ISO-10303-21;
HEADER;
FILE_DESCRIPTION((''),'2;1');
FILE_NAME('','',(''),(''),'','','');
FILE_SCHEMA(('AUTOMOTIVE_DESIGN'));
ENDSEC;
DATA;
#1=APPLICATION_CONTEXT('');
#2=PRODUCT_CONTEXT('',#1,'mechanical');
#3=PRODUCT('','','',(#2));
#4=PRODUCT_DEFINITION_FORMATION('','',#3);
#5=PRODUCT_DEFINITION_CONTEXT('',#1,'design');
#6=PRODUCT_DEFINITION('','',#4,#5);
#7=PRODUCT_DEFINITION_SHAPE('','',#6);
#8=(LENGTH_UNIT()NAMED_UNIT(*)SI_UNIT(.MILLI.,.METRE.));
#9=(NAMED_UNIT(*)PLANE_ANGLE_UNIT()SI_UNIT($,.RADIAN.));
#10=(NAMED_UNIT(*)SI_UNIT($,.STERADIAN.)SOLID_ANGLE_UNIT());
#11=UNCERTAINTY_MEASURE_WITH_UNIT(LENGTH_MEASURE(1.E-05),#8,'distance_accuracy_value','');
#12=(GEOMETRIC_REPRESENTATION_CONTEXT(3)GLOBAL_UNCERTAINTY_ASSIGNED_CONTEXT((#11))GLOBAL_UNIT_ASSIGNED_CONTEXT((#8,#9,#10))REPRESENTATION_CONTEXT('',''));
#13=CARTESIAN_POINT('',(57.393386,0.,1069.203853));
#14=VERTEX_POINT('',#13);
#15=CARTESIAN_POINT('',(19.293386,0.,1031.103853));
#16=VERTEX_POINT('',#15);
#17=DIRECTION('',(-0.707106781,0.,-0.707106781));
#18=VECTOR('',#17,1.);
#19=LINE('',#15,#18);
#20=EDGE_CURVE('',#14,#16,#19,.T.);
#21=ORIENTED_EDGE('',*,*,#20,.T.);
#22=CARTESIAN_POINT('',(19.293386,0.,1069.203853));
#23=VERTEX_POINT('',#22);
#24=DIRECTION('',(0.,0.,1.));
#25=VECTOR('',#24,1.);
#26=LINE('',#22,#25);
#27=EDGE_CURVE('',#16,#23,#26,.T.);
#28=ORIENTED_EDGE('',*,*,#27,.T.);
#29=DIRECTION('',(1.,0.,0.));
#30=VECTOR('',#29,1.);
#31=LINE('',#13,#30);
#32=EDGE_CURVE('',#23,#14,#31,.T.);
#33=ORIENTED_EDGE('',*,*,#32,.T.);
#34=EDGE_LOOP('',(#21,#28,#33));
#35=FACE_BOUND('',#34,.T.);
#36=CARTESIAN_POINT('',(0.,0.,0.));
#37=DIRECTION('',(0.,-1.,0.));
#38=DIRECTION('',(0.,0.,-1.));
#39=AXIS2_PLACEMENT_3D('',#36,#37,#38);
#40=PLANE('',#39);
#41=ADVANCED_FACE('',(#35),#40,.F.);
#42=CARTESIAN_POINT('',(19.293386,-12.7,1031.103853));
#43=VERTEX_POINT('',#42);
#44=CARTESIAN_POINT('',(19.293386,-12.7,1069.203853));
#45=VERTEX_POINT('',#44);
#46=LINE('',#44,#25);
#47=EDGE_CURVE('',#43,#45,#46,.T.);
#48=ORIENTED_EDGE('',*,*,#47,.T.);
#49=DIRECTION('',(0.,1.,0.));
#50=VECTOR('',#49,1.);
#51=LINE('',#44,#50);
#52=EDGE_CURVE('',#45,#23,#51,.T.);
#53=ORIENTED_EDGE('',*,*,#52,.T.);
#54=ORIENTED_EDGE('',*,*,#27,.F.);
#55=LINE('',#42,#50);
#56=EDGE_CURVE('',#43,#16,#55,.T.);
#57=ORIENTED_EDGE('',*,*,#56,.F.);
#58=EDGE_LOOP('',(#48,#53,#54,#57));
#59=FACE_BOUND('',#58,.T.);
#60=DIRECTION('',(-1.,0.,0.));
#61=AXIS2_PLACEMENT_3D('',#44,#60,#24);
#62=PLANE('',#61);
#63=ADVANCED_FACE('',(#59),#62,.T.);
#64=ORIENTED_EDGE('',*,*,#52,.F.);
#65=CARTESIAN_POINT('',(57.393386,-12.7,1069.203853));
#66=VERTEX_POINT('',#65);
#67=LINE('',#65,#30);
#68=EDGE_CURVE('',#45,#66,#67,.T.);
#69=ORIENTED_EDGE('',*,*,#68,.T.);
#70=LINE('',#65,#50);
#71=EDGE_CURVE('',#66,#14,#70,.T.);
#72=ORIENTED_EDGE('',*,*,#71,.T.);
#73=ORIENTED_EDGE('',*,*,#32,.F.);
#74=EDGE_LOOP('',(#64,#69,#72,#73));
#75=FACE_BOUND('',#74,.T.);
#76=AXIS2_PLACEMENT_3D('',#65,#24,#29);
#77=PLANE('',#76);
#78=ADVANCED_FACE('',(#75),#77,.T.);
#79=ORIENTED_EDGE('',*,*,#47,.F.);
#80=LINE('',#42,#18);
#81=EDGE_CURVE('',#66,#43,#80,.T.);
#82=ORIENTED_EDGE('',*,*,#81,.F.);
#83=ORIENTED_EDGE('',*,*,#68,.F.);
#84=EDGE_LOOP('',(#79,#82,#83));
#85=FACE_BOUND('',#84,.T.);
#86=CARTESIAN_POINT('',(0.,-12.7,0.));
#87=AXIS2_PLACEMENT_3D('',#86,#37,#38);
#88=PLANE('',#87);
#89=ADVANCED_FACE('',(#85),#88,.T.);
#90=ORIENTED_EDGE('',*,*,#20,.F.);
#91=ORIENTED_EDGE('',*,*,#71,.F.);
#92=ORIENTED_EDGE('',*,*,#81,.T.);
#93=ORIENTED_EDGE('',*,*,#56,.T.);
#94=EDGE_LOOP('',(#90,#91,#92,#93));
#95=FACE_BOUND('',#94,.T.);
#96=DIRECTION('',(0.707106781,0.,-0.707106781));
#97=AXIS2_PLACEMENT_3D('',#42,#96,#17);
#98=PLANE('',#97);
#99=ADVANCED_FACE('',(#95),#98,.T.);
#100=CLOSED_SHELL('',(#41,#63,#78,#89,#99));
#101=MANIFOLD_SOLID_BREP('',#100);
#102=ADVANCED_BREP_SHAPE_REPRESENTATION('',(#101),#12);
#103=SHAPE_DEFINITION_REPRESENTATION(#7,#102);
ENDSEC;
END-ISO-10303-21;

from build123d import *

# Parameters (mm, degrees)
BOSS_EXTRUDE1_DEPTH = 12.7


with BuildPart() as part:
    # Sketch1 → Boss-Extrude1 (new body)
    with BuildSketch(Plane(origin=(0, 0, 0), x_dir=(1, 0, 0), z_dir=(0, 1, 0))):
        Polygon((57.393386489, -1069.20385267), (19.293386489, -1069.20385267), (19.293386489, -1031.10385267), align=None)
    extrude(amount=-BOSS_EXTRUDE1_DEPTH)


solid = part.part
